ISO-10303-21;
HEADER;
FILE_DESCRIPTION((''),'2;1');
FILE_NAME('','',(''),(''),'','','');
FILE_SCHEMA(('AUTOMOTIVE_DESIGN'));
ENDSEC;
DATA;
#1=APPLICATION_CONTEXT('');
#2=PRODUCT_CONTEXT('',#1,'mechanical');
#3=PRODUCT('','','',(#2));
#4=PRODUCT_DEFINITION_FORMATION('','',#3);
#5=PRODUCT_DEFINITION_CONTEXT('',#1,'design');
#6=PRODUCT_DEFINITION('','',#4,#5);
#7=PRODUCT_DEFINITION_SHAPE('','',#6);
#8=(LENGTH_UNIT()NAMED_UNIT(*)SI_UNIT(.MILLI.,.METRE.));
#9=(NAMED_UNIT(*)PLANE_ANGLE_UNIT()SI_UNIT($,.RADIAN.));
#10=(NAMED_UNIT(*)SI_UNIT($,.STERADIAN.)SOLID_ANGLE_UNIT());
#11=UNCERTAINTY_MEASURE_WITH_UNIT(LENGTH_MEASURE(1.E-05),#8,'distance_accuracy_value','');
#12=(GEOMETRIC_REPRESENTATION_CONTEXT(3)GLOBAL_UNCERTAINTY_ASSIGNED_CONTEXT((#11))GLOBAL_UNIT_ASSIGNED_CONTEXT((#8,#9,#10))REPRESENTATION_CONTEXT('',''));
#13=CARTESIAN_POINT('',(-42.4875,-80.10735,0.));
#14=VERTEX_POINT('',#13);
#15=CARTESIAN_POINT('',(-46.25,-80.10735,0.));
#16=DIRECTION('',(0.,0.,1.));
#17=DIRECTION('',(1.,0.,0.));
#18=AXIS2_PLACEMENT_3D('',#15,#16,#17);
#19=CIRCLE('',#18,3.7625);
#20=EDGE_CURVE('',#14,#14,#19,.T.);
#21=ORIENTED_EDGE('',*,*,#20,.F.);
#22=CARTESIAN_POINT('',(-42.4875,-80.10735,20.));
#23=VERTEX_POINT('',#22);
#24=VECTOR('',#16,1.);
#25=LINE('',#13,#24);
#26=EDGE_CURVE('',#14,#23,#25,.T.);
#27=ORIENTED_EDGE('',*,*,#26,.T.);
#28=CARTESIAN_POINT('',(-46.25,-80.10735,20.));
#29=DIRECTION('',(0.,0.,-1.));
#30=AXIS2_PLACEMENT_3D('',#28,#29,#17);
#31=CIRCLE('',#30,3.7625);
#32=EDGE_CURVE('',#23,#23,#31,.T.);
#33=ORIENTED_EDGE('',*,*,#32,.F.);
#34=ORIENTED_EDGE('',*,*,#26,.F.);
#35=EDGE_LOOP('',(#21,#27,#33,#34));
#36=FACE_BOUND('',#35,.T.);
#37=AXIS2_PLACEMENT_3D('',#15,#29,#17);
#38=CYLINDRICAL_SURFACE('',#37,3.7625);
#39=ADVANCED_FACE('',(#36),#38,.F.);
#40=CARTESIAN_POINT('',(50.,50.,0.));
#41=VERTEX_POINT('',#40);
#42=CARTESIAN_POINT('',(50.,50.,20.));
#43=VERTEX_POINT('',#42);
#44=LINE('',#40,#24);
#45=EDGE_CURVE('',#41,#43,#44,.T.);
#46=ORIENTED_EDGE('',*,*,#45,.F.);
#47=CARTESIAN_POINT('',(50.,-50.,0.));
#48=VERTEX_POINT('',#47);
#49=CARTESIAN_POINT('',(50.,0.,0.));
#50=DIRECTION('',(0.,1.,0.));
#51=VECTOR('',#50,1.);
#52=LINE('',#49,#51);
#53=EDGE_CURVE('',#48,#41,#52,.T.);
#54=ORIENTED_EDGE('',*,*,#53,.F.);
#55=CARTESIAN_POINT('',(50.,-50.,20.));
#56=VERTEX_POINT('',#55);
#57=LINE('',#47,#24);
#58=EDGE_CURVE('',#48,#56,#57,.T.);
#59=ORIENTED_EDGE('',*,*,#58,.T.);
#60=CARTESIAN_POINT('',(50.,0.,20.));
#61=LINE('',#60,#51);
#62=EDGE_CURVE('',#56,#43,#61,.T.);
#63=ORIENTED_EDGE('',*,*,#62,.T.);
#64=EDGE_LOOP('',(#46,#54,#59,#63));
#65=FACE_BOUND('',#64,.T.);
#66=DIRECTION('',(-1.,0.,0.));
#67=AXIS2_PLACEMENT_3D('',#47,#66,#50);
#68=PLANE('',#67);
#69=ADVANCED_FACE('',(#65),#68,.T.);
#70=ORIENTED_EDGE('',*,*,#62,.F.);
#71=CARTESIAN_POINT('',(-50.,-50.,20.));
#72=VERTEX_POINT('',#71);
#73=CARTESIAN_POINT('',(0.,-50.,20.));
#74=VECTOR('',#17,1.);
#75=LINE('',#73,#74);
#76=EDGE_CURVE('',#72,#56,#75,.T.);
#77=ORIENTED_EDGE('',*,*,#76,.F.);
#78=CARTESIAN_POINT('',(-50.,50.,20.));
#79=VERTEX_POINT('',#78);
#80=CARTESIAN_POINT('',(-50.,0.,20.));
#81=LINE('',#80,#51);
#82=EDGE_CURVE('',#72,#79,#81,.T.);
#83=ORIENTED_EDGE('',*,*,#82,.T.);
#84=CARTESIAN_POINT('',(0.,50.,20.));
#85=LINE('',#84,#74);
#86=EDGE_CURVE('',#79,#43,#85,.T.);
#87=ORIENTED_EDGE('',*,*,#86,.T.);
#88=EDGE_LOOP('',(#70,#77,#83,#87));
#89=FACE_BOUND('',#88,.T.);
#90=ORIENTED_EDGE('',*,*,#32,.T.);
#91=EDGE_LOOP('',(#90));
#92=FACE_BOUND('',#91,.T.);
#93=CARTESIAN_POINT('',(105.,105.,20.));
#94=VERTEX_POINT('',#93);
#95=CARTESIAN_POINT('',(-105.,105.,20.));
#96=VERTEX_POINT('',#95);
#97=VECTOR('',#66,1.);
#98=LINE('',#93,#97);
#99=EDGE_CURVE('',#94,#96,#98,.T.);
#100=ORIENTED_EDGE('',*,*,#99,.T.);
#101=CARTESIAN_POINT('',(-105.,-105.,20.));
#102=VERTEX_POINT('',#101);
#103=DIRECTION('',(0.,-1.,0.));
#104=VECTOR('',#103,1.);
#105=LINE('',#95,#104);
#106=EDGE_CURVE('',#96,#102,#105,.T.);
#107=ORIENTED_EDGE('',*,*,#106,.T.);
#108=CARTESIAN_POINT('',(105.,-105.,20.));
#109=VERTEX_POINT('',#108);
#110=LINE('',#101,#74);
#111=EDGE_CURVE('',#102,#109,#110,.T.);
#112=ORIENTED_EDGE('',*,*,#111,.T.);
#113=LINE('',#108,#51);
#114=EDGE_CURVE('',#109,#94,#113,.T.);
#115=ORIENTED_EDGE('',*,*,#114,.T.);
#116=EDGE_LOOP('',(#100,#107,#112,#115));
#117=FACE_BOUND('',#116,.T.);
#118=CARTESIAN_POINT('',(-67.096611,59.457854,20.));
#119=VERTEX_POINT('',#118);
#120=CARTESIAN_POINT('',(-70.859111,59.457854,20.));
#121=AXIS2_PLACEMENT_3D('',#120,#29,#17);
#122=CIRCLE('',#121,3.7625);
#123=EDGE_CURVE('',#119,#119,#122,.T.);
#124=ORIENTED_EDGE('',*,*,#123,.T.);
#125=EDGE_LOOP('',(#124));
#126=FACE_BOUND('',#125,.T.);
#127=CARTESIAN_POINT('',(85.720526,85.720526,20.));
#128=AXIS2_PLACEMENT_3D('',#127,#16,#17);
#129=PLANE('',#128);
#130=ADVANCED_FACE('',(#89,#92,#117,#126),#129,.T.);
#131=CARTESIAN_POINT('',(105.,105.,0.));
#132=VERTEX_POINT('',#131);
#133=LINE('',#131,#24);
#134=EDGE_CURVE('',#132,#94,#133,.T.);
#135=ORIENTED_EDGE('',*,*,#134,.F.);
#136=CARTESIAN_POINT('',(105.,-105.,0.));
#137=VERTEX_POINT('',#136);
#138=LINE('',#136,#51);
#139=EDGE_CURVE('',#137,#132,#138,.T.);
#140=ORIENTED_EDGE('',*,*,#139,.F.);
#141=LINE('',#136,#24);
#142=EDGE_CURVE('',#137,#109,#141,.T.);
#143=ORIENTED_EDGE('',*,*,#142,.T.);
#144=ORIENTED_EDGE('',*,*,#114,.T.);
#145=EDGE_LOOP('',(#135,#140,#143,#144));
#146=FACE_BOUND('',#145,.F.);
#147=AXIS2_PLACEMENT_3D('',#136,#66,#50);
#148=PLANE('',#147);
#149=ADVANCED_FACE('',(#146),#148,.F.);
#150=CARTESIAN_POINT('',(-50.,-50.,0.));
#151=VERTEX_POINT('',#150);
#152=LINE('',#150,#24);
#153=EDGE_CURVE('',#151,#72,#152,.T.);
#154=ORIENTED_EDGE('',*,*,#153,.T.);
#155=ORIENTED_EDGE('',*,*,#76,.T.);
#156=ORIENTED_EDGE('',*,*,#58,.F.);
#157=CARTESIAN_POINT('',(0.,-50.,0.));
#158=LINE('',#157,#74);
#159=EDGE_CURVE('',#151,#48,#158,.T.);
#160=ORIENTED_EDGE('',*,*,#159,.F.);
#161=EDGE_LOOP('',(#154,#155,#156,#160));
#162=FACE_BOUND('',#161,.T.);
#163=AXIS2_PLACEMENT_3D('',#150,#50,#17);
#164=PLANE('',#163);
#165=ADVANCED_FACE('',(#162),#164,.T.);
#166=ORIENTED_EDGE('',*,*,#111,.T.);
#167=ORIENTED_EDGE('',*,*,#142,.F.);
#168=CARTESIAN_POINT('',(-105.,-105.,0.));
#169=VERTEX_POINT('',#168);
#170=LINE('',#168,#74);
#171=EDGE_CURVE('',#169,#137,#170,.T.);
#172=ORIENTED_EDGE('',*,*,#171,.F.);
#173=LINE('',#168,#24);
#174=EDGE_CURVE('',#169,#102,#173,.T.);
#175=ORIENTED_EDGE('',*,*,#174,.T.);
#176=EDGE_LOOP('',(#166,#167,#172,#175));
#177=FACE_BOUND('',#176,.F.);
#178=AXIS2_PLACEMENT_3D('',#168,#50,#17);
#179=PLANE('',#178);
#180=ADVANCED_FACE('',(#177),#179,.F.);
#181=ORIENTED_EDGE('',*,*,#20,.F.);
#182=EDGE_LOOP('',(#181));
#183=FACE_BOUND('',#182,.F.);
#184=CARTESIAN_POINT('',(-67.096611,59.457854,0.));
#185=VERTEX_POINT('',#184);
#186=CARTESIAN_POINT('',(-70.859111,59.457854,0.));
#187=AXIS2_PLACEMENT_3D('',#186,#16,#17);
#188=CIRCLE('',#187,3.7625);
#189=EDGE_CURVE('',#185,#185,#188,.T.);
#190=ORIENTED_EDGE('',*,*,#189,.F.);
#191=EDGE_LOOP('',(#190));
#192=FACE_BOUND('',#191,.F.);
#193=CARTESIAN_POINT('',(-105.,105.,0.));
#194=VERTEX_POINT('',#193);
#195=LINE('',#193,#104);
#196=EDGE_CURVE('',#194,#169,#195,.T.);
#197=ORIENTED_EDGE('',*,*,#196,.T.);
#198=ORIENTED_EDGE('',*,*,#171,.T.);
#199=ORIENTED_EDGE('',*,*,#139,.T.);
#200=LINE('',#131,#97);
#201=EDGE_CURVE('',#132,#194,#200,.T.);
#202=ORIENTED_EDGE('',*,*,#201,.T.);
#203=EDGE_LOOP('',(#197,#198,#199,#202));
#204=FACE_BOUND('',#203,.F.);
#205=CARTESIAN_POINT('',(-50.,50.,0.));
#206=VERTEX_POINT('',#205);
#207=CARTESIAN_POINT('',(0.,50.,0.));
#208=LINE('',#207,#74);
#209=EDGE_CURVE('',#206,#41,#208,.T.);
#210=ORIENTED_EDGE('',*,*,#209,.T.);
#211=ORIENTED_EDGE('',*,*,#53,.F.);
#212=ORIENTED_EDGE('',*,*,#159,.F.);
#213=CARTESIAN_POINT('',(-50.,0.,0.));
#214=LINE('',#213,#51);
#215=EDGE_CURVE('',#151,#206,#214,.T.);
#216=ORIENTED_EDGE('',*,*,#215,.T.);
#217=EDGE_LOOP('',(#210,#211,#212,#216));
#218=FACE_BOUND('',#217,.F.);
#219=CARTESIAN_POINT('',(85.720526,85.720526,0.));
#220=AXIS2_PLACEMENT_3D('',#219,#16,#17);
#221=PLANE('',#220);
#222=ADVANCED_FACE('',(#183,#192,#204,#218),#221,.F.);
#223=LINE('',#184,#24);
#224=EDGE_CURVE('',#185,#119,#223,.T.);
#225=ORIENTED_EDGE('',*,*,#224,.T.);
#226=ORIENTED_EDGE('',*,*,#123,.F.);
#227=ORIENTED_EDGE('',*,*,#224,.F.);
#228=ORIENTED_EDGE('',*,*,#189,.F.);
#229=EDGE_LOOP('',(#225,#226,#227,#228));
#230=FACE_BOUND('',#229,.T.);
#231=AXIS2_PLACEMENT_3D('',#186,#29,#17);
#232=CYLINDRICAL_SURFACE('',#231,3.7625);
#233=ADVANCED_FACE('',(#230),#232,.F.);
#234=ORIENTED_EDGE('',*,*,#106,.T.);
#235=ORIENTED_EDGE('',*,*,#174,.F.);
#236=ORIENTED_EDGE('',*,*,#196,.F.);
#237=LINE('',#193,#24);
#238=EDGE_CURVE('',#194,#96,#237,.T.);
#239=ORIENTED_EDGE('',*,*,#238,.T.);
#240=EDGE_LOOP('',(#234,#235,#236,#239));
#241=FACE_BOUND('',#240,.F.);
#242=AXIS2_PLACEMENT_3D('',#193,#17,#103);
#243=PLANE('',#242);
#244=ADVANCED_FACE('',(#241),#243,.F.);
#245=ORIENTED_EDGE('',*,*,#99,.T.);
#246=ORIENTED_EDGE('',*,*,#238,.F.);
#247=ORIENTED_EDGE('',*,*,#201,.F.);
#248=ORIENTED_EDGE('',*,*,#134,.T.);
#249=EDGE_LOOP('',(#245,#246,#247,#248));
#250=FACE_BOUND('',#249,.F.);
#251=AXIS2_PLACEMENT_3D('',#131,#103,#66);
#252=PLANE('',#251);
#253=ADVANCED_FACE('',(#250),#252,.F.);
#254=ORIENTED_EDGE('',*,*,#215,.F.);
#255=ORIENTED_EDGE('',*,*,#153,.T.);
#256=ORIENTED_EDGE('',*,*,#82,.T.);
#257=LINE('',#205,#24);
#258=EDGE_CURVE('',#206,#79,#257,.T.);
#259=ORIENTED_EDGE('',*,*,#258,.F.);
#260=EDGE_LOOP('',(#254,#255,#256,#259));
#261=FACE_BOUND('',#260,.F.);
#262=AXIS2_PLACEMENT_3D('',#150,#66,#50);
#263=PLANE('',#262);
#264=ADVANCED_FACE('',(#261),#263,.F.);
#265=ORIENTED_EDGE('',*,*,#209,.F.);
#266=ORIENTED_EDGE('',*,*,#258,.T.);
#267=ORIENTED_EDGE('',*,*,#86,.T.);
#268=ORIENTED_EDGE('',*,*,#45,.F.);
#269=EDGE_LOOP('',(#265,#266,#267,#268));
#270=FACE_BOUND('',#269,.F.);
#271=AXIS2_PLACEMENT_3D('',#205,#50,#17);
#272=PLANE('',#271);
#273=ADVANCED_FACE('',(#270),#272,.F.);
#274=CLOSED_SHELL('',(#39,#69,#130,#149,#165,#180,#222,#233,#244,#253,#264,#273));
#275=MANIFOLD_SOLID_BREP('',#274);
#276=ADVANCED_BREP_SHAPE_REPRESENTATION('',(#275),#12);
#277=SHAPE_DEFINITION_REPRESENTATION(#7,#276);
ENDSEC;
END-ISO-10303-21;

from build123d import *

# Parameters (mm, degrees)
F0_W     = 100
F0_H     = 100
F1_DEPTH = 20
F2_R     = 3.7625
F3_DEPTH = 25


with BuildPart() as f1:
    # F0 (on Top) → F1 (new body)
    with BuildSketch(Plane.XY):
        with BuildLine():
            ThreePointArc((46.9041575982, 105), (81.3172798365, 81.3172798365), (105, 46.9041575982))
            Line((105, 46.9041575982), (105, 105))
            Line((105, 105), (46.9041575982, 105))
        make_face()
        with BuildLine():
            ThreePointArc((-105, 46.9041575982), (-81.3172798365, 81.3172798365), (-46.9041575982, 105))
            Line((-46.9041575982, 105), (-105, 105))
            Line((-105, 105), (-105, 46.9041575982))
        make_face()
        with BuildLine():
            Line((-105, -105), (-46.9041575982, -105))
            ThreePointArc((-46.9041575982, -105), (-81.3172798365, -81.3172798365), (-105, -46.9041575982))
            Line((-105, -46.9041575982), (-105, -105))
        make_face()
        with BuildLine():
            Line((105, -105), (105, -46.9041575982))
            ThreePointArc((105, -46.9041575982), (81.3172798365, -81.3172798365), (46.9041575982, -105))
            Line((46.9041575982, -105), (105, -105))
        make_face()
        with BuildLine():
            Line((105, -46.9041575982), (105, 46.9041575982))
            ThreePointArc((105, 46.9041575982), (81.3172798365, 81.3172798365), (46.9041575982, 105))
            Line((46.9041575982, 105), (-46.9041575982, 105))
            ThreePointArc((-46.9041575982, 105), (-81.3172798365, 81.3172798365), (-105, 46.9041575982))
            Line((-105, 46.9041575982), (-105, -46.9041575982))
            ThreePointArc((-105, -46.9041575982), (-81.3172798365, -81.3172798365), (-46.9041575982, -105))
            Line((-46.9041575982, -105), (46.9041575982, -105))
            ThreePointArc((46.9041575982, -105), (81.3172798365, -81.3172798365), (105, -46.9041575982))
        make_face()
        Rectangle(F0_W, F0_H, mode=Mode.SUBTRACT)
    extrude(amount=F1_DEPTH)

    # F2 (on Top) → F3 (cut)
    with BuildSketch(Plane.XY):
        with Locations((-70.8591109885, 59.457853896)):
            Circle(F2_R)
        with Locations((-46.25, -80.1073498501)):
            Circle(F2_R)
    extrude(amount=F3_DEPTH, mode=Mode.SUBTRACT)


solid = f1.part
